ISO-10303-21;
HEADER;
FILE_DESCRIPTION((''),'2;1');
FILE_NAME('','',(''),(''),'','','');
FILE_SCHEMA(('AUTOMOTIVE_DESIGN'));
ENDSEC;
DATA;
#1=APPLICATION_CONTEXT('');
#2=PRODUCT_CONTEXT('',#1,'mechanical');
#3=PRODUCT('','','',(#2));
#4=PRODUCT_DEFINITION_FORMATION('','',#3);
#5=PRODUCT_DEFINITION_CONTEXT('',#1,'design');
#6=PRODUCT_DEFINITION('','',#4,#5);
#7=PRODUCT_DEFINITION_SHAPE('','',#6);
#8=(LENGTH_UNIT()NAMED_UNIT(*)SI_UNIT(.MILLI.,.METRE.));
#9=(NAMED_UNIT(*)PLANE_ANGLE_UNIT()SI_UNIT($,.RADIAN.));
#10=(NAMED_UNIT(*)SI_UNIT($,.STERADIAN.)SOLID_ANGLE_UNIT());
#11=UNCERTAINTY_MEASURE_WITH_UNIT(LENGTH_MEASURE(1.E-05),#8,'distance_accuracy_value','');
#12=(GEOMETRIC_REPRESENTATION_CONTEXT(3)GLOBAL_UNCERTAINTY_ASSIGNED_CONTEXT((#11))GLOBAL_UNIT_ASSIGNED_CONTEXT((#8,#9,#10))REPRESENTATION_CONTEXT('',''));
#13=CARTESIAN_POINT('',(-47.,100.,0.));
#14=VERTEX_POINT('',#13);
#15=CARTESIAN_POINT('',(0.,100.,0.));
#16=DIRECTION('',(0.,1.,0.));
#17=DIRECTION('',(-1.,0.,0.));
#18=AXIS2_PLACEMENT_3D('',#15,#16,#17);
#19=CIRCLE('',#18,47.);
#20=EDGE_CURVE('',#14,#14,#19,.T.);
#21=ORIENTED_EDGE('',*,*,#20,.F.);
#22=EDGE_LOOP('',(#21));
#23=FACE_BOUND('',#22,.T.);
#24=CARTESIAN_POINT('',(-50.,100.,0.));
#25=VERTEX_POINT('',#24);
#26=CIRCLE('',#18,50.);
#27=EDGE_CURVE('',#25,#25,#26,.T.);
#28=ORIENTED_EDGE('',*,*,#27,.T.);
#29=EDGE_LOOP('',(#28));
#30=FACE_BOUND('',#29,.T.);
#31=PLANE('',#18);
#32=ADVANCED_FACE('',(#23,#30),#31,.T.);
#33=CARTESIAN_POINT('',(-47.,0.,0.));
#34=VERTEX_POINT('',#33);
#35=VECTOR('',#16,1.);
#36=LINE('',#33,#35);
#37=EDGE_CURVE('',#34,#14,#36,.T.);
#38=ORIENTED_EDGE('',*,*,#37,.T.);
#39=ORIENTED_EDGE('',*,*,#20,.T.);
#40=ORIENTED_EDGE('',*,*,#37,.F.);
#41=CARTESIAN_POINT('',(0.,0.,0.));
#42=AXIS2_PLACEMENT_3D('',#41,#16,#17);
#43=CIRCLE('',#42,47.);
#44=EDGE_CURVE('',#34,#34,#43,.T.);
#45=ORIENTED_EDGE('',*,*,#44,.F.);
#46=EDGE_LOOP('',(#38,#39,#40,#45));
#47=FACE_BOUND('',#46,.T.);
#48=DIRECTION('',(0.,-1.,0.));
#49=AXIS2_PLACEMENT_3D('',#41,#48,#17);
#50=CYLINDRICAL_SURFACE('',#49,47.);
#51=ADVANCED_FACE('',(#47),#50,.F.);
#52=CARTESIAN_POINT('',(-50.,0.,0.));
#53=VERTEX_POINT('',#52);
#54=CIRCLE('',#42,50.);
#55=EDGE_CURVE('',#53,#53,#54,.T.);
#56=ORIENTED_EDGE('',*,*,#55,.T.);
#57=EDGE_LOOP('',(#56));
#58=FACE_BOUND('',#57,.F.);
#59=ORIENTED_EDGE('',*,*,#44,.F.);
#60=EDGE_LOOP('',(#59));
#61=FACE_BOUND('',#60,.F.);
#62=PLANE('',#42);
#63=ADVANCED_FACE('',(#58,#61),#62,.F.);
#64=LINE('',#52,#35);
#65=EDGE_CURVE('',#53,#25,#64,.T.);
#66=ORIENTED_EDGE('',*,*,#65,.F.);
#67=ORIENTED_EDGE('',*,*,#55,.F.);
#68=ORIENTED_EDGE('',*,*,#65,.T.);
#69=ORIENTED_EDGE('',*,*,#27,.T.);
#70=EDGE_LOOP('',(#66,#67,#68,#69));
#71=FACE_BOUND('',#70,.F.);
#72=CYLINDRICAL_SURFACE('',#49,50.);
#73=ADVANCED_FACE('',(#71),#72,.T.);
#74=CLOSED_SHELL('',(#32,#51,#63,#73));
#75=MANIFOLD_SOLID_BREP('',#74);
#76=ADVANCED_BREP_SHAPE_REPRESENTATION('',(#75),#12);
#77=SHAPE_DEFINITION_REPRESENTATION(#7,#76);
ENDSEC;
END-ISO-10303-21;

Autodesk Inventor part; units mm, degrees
ref_plane "YZ Plane" through (0, 0, 0) normal (1, 0, 0) x (0, 1, 0)
ref_plane "XZ Plane" through (0, 0, 0) normal (0, 1, 0) x (-1, 0, 0)
ref_plane "XY Plane" through (0, 0, 0) normal (0, 0, 1) x (1, 0, 0)
sketch "Boceto1" plane through (0, 0, 0) normal (0, 1, 0) x (-1, 0, 0)
  circle A0 centre (0, 0) radius 50
  circle A1 centre (0, 0) radius 47
  dimension "De" = 100
  dimension "Di" = 94
extrude "Extrusión1" add sketch "Boceto1" along normal blind 100
properties part number "Chasis" material "Policarbonato, ahumado"
